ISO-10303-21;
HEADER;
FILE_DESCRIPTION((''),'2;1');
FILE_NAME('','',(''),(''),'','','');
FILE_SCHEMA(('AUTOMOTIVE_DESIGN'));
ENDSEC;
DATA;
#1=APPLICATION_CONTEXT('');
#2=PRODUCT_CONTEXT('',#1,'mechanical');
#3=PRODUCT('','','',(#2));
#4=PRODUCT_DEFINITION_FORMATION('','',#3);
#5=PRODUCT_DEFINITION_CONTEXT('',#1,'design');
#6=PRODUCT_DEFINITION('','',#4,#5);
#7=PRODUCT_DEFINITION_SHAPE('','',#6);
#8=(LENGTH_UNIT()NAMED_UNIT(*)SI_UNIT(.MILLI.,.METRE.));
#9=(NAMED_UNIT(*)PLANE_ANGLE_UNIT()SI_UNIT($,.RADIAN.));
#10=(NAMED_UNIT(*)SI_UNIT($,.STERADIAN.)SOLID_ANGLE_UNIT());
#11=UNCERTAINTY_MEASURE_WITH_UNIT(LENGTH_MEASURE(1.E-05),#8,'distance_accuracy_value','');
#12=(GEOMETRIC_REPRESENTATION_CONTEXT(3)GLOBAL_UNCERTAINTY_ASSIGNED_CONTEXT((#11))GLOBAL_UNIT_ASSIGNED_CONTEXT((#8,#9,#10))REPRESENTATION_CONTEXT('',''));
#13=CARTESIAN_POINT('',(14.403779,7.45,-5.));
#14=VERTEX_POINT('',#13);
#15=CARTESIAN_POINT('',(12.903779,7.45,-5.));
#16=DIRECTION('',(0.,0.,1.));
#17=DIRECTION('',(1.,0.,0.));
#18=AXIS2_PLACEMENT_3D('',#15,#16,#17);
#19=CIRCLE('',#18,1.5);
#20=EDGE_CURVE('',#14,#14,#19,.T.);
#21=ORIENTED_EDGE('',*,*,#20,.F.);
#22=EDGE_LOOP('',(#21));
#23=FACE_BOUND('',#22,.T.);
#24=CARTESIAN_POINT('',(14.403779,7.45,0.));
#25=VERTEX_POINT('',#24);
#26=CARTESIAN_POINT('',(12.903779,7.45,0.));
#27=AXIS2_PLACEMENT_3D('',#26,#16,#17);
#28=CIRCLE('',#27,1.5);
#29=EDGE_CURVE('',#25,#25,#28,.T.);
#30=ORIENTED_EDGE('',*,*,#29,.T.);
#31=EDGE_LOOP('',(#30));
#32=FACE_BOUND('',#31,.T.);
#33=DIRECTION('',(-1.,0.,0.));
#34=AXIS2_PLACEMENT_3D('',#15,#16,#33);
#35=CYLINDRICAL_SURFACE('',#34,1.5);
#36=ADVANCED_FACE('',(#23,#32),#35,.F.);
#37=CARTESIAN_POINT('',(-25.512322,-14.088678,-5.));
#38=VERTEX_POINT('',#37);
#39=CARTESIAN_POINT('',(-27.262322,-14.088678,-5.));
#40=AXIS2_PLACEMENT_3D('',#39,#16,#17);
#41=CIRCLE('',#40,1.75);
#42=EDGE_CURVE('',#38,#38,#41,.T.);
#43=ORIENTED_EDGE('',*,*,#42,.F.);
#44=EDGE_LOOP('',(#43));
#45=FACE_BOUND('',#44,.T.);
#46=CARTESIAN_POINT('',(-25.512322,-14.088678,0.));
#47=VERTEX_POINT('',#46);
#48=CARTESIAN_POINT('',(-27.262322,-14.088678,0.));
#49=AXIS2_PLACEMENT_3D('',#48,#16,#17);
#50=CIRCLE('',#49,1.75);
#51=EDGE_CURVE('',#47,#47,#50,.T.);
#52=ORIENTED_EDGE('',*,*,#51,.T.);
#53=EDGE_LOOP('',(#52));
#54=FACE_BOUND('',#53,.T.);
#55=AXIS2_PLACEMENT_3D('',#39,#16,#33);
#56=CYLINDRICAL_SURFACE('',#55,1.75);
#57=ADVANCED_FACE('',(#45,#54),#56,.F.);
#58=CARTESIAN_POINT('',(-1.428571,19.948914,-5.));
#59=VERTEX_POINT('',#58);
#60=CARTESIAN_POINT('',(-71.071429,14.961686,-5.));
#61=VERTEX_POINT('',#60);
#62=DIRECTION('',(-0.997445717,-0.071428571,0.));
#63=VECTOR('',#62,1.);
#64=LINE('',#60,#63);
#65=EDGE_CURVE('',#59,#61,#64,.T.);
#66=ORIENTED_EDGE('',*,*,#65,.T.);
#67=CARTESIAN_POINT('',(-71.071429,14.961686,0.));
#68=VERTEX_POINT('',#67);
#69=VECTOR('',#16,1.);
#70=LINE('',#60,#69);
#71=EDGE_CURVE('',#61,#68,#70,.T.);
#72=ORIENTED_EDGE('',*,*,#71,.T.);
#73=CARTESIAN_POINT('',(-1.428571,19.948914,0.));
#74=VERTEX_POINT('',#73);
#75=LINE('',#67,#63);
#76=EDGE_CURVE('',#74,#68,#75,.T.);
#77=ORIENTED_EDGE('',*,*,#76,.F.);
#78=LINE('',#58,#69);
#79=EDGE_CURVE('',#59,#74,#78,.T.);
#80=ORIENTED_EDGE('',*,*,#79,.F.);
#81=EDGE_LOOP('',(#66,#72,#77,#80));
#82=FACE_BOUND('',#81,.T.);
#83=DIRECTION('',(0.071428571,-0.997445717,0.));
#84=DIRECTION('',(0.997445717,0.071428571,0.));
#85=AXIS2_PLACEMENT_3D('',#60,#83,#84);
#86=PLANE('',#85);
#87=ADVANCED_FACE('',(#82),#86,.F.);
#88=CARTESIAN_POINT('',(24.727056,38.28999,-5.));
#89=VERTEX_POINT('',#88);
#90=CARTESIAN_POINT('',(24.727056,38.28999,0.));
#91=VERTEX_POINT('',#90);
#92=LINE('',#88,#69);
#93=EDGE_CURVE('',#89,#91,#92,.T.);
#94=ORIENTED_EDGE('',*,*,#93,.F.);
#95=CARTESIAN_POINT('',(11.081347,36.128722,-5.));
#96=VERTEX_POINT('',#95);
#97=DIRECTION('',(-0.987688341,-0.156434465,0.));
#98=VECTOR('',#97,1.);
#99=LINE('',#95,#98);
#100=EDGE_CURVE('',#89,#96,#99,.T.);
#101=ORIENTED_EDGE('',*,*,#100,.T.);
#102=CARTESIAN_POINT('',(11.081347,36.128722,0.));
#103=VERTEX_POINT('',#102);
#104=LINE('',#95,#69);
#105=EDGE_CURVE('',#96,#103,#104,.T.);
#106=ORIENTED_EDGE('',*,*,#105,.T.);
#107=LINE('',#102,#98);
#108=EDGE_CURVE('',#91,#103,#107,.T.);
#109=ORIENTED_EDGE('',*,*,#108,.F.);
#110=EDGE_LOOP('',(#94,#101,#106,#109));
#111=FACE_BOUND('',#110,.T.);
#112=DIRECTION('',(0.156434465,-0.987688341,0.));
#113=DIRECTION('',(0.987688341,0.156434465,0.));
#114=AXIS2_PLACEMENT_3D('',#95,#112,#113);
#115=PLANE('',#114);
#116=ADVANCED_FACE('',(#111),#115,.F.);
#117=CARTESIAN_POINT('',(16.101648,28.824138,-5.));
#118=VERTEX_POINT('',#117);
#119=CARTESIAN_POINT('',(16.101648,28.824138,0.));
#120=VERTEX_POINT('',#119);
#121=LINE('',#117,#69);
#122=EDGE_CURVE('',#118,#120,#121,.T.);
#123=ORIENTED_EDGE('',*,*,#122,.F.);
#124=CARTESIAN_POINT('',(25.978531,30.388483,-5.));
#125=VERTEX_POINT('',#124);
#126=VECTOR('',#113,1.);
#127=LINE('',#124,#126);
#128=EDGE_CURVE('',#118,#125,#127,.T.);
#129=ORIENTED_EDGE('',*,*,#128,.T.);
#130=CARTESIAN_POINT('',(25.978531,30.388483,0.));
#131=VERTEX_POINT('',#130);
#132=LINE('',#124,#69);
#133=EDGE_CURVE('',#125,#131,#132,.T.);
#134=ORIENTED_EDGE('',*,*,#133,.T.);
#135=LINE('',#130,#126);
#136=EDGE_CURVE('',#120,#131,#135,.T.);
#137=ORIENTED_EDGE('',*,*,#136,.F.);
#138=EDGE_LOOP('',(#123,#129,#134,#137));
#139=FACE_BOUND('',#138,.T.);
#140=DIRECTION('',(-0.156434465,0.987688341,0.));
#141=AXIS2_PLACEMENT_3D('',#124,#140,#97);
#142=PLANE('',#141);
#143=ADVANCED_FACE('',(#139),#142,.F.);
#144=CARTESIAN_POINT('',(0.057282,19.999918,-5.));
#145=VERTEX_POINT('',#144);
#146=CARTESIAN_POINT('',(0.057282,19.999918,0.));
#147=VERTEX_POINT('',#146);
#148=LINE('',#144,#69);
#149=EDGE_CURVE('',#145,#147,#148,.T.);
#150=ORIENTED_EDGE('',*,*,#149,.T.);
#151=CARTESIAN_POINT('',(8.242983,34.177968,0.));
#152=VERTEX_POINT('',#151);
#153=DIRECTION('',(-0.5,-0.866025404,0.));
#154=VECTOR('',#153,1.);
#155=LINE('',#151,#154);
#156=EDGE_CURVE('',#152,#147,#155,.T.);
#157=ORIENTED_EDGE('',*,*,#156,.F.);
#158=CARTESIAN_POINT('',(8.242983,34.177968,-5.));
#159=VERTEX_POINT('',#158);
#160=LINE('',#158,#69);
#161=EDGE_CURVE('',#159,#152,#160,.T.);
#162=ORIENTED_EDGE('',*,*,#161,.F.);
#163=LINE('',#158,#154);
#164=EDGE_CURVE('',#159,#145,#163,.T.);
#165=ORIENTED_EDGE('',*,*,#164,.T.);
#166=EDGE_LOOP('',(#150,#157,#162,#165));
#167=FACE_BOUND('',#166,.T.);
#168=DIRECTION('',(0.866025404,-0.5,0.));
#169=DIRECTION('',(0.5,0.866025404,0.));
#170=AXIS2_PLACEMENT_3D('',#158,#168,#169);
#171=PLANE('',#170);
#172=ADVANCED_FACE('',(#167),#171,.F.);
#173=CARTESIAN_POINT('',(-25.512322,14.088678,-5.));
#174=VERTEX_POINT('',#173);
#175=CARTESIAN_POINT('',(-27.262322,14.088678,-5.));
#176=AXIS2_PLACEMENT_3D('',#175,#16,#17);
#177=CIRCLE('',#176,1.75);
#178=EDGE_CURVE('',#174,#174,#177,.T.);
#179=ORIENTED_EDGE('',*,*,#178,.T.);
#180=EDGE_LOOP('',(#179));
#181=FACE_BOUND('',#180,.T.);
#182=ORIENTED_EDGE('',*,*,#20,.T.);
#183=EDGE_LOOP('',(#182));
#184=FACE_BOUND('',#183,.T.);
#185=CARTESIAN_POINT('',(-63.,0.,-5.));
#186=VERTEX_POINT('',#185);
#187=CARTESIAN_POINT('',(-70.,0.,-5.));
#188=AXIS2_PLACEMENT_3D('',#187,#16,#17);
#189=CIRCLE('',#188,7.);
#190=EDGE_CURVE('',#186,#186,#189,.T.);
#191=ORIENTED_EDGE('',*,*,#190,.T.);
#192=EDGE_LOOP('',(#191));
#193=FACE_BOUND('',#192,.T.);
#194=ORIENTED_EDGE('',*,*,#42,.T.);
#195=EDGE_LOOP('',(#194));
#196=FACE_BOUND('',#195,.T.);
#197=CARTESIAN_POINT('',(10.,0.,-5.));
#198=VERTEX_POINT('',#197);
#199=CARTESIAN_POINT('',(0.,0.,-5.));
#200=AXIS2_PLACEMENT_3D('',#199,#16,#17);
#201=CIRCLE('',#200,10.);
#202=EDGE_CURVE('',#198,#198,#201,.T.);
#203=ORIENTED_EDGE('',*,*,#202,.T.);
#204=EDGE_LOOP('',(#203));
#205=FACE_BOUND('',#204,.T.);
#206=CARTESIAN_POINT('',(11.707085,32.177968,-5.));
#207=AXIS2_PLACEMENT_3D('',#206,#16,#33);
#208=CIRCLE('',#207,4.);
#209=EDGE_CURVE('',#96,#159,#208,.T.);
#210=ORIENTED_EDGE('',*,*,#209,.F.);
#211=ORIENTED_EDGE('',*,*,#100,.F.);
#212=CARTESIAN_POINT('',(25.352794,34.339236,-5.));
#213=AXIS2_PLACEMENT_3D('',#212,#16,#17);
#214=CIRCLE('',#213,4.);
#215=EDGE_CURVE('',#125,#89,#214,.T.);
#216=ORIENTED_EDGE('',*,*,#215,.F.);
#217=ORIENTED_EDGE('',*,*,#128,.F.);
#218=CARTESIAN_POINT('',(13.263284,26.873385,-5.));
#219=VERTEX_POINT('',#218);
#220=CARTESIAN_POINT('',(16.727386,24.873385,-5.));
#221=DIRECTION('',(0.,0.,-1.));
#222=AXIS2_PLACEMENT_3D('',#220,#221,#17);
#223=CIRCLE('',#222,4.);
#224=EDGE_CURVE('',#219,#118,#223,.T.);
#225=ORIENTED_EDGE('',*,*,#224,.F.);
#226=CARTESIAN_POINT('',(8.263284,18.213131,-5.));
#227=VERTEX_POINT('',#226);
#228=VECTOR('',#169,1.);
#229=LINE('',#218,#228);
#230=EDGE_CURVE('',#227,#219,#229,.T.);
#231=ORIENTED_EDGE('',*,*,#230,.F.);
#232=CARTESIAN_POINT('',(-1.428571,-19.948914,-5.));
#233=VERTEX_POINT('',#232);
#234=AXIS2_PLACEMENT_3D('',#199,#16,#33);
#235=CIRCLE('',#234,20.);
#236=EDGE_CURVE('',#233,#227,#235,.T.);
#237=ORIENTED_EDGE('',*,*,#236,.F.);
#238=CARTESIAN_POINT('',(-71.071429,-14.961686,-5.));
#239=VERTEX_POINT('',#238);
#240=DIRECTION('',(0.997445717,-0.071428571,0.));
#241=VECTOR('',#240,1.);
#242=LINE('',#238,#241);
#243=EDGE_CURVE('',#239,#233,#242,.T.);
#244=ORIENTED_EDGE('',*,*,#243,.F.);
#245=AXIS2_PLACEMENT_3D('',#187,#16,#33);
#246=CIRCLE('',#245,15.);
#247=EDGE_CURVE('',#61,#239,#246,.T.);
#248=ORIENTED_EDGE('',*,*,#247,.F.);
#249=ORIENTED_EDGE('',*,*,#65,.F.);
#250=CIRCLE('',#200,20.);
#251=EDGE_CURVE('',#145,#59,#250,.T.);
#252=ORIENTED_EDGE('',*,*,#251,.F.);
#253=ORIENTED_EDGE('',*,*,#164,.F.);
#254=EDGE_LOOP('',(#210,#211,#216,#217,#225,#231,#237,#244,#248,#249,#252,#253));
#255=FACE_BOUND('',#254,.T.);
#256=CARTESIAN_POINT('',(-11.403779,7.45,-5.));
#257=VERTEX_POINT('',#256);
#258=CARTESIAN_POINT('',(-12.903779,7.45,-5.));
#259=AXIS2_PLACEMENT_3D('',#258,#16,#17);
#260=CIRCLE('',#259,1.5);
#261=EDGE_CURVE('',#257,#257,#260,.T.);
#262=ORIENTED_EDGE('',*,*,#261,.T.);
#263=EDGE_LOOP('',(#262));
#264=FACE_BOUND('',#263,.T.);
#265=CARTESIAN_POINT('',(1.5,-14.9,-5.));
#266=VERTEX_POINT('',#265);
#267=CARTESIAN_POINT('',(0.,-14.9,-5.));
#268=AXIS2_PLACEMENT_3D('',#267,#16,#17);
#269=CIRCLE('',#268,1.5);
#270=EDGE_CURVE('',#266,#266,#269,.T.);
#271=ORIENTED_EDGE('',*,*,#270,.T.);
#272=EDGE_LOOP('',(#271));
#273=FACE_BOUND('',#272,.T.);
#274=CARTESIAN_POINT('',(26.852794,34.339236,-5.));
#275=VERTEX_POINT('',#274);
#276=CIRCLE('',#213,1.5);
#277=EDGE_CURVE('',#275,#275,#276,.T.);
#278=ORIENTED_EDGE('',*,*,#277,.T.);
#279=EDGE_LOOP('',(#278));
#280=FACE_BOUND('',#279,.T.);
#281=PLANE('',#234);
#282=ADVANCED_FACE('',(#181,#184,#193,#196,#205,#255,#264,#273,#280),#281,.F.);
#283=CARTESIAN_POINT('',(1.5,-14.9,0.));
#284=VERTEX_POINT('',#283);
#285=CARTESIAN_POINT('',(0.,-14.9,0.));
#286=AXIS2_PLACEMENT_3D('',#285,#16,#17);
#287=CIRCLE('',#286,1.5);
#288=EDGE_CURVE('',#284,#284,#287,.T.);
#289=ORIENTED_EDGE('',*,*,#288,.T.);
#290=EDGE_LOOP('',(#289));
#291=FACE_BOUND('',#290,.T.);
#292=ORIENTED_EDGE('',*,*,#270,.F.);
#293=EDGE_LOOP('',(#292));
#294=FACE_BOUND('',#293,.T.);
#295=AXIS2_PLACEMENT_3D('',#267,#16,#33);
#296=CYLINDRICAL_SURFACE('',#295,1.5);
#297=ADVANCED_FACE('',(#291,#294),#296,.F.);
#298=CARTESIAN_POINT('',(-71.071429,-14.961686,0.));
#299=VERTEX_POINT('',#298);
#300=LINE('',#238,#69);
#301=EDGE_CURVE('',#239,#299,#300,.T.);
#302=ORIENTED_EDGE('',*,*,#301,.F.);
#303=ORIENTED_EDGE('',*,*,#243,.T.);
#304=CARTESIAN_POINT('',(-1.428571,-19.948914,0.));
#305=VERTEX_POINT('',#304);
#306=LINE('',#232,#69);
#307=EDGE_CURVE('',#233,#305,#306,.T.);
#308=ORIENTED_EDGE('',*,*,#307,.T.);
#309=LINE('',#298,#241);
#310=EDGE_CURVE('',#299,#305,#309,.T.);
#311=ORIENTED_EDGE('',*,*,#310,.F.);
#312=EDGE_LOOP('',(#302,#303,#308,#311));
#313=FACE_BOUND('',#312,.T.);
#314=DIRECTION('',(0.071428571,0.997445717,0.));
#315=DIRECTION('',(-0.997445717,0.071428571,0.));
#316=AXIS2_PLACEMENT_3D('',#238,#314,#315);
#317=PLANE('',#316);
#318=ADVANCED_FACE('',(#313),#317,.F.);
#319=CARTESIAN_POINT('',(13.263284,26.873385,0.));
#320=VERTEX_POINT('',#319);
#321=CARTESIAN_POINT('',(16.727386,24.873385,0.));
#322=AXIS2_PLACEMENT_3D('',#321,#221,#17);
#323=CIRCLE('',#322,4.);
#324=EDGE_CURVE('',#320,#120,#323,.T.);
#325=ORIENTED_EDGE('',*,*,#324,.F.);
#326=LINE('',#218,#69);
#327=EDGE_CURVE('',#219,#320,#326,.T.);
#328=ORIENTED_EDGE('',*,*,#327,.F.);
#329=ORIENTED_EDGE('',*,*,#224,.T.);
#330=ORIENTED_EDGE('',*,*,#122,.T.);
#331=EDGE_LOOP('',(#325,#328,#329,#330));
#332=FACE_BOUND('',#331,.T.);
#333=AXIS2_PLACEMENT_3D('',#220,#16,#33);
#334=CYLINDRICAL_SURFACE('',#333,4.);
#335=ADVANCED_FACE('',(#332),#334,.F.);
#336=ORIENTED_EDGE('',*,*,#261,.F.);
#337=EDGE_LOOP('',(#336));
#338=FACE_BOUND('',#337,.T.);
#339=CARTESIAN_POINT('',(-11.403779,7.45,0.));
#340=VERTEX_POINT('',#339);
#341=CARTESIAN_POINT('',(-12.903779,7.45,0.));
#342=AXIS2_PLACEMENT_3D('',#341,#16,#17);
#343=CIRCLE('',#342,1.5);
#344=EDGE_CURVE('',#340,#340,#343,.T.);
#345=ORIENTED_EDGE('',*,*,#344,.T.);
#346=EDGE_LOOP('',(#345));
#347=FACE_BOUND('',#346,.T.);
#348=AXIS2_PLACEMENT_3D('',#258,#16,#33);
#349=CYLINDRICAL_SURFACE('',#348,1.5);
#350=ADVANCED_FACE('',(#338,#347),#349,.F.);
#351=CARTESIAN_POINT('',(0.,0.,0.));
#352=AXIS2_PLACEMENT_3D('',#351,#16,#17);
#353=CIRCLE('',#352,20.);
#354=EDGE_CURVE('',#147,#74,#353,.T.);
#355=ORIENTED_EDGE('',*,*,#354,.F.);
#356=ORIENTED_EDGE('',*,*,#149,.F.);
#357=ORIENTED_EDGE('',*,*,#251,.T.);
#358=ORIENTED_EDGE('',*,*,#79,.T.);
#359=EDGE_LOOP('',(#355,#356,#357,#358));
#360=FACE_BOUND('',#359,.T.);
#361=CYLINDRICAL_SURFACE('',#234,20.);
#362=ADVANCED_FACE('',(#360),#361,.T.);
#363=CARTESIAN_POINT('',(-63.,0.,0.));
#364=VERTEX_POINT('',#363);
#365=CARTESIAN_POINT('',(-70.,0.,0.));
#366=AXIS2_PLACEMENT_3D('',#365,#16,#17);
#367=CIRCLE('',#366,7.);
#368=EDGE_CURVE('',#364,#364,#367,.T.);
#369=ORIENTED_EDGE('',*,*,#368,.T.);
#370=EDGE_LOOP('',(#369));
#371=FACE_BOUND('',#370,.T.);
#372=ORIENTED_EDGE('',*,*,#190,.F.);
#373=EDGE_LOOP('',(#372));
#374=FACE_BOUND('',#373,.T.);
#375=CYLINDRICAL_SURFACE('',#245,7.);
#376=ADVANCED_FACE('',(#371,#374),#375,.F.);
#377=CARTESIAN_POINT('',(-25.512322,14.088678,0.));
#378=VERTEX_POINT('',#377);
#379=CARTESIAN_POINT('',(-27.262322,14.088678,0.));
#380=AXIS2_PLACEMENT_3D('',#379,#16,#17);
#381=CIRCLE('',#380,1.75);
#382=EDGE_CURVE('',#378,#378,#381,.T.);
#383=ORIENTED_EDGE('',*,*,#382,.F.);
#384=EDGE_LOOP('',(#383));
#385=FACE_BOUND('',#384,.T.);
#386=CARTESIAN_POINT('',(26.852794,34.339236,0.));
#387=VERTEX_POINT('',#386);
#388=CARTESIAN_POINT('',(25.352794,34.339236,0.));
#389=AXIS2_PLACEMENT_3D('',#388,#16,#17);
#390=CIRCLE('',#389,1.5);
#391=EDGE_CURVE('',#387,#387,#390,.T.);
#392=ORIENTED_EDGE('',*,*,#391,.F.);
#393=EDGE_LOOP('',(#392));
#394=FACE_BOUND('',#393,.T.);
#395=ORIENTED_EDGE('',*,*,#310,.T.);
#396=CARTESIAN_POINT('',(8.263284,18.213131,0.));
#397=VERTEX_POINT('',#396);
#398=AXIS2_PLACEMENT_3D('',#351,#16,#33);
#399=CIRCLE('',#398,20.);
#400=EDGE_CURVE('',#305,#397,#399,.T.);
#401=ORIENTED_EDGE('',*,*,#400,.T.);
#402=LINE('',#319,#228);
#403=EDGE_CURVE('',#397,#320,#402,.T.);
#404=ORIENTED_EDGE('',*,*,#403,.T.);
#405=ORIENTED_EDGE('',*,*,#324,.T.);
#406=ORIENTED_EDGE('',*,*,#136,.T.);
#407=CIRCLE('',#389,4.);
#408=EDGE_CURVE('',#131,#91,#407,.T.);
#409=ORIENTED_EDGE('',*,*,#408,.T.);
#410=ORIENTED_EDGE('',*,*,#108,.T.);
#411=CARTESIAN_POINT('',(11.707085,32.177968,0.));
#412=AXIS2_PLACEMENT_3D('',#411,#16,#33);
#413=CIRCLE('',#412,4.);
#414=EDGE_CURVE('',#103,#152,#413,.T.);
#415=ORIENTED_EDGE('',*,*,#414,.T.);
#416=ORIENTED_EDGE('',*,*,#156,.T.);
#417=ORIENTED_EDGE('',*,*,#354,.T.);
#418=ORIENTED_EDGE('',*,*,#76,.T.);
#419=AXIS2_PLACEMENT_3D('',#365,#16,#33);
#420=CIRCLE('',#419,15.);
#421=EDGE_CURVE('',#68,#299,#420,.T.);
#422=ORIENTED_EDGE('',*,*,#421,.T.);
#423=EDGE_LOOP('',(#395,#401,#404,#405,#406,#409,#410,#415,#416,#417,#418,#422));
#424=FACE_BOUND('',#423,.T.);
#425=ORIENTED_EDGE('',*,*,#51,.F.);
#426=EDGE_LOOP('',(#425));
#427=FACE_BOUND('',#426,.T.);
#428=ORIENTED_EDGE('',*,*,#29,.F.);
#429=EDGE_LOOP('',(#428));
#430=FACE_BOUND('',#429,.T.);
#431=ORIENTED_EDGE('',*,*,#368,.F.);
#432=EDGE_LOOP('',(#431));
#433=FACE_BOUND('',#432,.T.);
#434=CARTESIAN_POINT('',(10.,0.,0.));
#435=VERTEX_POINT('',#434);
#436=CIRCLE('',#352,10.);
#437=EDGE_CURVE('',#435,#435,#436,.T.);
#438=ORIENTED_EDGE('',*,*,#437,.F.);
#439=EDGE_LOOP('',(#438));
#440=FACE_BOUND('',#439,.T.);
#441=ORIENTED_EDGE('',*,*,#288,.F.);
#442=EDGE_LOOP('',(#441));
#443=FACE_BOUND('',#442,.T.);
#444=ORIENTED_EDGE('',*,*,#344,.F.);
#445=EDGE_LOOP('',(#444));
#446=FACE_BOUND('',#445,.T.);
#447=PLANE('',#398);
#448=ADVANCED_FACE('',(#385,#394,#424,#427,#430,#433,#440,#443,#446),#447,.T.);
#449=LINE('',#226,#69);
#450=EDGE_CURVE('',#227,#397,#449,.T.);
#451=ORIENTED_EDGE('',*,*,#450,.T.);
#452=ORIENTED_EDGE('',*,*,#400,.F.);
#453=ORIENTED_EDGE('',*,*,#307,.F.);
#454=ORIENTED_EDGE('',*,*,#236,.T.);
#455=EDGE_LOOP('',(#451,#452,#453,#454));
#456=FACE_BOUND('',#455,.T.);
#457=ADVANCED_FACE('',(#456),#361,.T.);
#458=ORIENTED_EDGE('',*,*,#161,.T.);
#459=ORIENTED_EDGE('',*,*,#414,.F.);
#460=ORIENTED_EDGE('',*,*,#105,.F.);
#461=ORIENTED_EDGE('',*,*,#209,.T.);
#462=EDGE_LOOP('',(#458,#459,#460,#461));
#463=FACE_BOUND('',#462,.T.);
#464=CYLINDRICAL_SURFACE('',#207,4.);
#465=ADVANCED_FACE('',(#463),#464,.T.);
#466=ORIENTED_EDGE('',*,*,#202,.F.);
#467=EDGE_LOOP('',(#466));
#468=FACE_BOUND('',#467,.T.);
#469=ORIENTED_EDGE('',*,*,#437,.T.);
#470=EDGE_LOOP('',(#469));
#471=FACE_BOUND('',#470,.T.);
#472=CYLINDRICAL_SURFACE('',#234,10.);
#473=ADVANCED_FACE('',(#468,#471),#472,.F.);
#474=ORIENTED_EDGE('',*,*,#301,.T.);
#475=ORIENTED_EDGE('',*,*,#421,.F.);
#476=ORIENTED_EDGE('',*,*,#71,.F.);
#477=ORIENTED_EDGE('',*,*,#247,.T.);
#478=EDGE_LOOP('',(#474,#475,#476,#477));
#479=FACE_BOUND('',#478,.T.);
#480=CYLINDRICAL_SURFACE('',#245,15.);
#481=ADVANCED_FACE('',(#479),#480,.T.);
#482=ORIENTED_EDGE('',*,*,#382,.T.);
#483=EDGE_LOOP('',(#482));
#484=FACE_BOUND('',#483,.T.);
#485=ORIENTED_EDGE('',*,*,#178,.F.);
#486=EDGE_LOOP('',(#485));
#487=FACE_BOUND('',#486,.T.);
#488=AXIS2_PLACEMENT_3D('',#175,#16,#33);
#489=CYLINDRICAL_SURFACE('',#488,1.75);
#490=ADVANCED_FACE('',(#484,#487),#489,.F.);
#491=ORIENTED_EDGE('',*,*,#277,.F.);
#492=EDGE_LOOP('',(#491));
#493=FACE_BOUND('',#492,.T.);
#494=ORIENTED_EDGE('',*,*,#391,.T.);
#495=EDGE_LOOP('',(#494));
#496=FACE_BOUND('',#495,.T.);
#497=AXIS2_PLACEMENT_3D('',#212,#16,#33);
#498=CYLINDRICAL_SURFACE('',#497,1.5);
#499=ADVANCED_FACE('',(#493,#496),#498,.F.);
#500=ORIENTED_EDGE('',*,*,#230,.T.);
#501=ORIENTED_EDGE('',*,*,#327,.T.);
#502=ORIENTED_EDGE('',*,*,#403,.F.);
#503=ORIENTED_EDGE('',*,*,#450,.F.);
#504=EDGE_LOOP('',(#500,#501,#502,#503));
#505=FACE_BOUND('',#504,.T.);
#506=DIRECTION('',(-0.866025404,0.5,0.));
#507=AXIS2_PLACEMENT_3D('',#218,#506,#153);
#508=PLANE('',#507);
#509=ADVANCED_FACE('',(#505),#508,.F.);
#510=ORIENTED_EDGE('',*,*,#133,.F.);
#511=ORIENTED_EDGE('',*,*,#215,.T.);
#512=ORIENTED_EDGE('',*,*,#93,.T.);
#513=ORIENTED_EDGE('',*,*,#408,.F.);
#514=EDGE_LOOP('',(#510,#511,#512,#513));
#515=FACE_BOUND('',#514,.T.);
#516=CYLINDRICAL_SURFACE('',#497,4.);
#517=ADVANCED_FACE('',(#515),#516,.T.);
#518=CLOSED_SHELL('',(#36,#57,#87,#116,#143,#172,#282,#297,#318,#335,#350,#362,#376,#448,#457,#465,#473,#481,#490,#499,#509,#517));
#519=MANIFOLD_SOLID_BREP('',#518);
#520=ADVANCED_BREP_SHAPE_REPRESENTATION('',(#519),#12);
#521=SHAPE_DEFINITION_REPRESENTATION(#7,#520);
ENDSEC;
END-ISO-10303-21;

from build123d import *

# Parameters (mm, degrees)
SKETCH1_R           = 7
SKETCH1_R_2         = 10
SKETCH1_R_3         = 1.5
SKETCH1_R_4         = 1.75
BOSS_EXTRUDE1_DEPTH = 5


with BuildPart() as part:
    # Sketch1 → Boss-Extrude1 (new body)
    with BuildSketch(Plane.XY):
        with BuildLine():
            Line((-71.071428571, 14.961685761), (-1.428571429, 19.948914348))
            ThreePointArc((-1.428571429, 19.948914348), (-0.686118829, 19.988227559), (0.057281956, 19.999917969))
            Line((0.057281956, 19.999917969), (8.242983117, 34.177968276))
            ThreePointArc((8.242983117, 34.177968276), (9.441459784, 35.47447303), (11.081346872, 36.128721638))
            Line((11.081346872, 36.128721638), (24.727055657, 38.289989587))
            ThreePointArc((24.727055657, 38.289989587), (29.30354688, 34.964974085), (25.978531377, 30.388482862))
            Line((25.978531377, 30.388482862), (16.101647971, 28.824138212))
            ThreePointArc((16.101647971, 28.824138212), (14.461760884, 28.169889604), (13.263284216, 26.873384849))
            Line((13.263284216, 26.873384849), (8.263284216, 18.213130812))
            ThreePointArc((8.263284216, 18.213130812), (19.384626574, -4.923032864), (-1.428571429, -19.948914348))
            Line((-1.428571429, -19.948914348), (-71.071428571, -14.961685761))
            ThreePointArc((-71.071428571, -14.961685761), (-85, 0), (-71.071428571, 14.961685761))
        make_face()
        with Locations((-70, 0)):
            Circle(SKETCH1_R, mode=Mode.SUBTRACT)
        Circle(SKETCH1_R_2, mode=Mode.SUBTRACT)
        with Locations((-12.903778516, 7.45)):
            Circle(SKETCH1_R_3, mode=Mode.SUBTRACT)
        with Locations((0, -14.9)):
            Circle(SKETCH1_R_3, mode=Mode.SUBTRACT)
        with Locations((-27.262321561, 14.088677781)):
            Circle(SKETCH1_R_4, mode=Mode.SUBTRACT)
        with Locations((-27.262321561, -14.088677781)):
            Circle(SKETCH1_R_4, mode=Mode.SUBTRACT)
        with Locations((12.903778516, 7.45)):
            Circle(SKETCH1_R_3, mode=Mode.SUBTRACT)
        with Locations((25.352793517, 34.339236225)):
            Circle(SKETCH1_R_3, mode=Mode.SUBTRACT)
    extrude(amount=BOSS_EXTRUDE1_DEPTH)


with BuildPart() as part_1:
    # Body-Move/Copy1: moved
    add(part.part.moved(Location((0, 0, -5))))


solid = part_1.part
